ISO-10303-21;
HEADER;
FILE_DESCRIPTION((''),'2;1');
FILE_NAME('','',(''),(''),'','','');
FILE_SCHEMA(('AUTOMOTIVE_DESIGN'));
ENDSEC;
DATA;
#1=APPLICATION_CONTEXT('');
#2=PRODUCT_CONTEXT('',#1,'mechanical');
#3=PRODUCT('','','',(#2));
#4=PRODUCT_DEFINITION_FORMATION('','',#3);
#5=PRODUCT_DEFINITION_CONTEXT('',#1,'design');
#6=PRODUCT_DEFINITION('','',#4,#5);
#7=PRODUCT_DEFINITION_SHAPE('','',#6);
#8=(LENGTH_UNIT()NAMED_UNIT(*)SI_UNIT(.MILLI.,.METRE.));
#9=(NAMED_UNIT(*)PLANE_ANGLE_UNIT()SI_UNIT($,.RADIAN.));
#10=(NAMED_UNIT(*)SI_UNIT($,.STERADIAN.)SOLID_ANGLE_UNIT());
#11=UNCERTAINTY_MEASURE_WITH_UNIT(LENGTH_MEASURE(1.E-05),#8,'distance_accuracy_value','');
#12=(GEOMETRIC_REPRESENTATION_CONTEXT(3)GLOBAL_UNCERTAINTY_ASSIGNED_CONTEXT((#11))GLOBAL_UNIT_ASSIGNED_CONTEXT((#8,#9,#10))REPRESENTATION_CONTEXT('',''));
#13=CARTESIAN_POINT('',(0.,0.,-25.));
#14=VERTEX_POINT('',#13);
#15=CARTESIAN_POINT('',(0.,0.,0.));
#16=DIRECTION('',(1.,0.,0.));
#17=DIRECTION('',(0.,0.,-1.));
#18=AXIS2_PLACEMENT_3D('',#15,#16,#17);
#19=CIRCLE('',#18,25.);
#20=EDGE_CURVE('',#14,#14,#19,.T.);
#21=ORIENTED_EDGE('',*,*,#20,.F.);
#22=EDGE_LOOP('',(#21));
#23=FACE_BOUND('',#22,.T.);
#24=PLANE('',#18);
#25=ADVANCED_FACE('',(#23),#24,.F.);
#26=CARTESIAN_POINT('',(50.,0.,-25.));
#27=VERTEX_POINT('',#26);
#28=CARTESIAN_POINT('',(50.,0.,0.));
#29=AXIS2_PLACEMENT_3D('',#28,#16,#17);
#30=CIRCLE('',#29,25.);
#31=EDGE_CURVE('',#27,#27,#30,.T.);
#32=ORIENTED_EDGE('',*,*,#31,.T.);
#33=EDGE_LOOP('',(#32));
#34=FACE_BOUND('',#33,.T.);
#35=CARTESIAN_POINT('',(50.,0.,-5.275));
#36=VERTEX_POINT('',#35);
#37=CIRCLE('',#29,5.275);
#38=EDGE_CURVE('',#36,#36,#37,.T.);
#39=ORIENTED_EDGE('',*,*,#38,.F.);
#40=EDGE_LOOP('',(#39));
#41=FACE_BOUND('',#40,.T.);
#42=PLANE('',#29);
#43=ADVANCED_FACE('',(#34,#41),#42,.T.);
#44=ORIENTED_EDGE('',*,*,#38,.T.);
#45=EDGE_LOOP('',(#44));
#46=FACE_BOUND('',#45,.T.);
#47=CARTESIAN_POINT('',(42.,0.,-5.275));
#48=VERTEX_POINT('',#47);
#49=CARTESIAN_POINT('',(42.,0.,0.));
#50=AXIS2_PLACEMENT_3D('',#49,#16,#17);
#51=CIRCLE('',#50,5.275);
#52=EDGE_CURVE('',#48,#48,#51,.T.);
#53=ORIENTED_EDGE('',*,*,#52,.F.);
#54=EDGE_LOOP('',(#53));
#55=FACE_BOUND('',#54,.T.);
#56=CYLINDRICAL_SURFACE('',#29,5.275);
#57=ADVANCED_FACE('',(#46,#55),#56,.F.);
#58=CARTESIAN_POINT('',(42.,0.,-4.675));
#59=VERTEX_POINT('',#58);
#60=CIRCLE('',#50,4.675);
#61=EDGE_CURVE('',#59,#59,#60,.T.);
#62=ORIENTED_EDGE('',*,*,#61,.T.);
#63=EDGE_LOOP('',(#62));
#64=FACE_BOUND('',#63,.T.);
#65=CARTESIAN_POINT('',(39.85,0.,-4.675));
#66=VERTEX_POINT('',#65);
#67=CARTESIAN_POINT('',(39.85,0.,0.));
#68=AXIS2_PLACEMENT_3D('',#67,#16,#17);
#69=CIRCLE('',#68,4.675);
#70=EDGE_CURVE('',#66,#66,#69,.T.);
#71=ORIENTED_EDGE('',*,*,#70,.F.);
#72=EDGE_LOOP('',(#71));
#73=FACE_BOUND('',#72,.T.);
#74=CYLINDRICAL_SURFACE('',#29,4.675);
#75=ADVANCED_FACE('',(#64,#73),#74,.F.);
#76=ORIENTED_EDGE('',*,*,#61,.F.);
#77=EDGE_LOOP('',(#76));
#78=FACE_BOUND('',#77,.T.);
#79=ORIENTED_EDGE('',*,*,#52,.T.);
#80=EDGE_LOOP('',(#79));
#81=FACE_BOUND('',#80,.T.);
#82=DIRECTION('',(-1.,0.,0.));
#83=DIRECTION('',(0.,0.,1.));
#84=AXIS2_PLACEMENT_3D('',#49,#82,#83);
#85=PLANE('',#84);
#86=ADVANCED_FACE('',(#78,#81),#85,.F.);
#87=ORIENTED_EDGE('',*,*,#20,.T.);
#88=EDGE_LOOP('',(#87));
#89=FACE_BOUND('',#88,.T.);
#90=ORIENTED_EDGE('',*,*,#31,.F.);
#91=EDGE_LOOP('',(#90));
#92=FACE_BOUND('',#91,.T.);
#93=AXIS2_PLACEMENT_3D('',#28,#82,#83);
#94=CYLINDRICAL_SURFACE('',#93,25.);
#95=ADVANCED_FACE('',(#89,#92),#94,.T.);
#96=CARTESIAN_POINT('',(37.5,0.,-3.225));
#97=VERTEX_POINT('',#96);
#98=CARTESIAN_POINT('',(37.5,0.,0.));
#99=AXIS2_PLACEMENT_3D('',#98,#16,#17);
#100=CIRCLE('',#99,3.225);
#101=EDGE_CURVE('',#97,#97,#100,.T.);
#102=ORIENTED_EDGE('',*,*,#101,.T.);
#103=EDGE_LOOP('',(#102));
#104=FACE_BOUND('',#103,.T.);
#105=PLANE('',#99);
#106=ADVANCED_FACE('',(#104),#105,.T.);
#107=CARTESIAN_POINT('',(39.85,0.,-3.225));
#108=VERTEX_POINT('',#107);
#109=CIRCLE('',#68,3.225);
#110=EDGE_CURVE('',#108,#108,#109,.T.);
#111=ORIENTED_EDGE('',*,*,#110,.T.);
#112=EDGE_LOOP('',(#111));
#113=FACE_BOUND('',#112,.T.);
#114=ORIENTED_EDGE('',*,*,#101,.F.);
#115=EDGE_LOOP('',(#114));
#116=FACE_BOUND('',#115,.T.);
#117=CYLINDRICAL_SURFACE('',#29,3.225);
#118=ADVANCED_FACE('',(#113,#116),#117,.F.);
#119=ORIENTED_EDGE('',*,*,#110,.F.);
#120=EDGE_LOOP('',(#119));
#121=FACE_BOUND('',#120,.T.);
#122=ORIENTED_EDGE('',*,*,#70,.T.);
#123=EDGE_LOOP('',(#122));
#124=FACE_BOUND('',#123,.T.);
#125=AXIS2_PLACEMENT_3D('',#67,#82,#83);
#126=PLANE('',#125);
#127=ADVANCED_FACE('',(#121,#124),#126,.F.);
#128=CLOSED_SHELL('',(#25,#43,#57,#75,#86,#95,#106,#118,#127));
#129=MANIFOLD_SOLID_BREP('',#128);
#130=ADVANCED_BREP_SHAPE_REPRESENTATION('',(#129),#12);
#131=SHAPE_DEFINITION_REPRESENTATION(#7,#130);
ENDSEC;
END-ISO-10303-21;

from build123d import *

# Parameters (mm, degrees)
SKETCH1_R           = 25
BOSS_EXTRUDE1_DEPTH = 50
SKETCH2_W           = 2.35
SKETCH2_H           = 3.225


with BuildPart() as part:
    # Sketch1 → Boss-Extrude1 (new body)
    with BuildSketch(Plane(origin=(0, 0, 0), x_dir=(0, 0, -1), z_dir=(1, 0, 0))):
        Circle(SKETCH1_R)
    extrude(amount=BOSS_EXTRUDE1_DEPTH)

    # Sketch2 → Cut-Revolve3 (revolve, cut)
    with BuildSketch(Plane(origin=(0, 0, 0), x_dir=(1, 0, 0), z_dir=(0, 1, 0))):
        Polygon((42, 0), (50, 0), (50, 5.275), (42, 5.275), (42, 4.675), align=None)
        Polygon((39.85, 0), (42, 0), (42, 4.675), (39.85, 4.675), (39.85, 3.225), align=None)
        with Locations((38.675, 1.6125)):
            Rectangle(SKETCH2_W, SKETCH2_H)
    revolve(axis=Axis((50, 0, 0), (-1, 0, 0)), mode=Mode.SUBTRACT)


solid = part.part
